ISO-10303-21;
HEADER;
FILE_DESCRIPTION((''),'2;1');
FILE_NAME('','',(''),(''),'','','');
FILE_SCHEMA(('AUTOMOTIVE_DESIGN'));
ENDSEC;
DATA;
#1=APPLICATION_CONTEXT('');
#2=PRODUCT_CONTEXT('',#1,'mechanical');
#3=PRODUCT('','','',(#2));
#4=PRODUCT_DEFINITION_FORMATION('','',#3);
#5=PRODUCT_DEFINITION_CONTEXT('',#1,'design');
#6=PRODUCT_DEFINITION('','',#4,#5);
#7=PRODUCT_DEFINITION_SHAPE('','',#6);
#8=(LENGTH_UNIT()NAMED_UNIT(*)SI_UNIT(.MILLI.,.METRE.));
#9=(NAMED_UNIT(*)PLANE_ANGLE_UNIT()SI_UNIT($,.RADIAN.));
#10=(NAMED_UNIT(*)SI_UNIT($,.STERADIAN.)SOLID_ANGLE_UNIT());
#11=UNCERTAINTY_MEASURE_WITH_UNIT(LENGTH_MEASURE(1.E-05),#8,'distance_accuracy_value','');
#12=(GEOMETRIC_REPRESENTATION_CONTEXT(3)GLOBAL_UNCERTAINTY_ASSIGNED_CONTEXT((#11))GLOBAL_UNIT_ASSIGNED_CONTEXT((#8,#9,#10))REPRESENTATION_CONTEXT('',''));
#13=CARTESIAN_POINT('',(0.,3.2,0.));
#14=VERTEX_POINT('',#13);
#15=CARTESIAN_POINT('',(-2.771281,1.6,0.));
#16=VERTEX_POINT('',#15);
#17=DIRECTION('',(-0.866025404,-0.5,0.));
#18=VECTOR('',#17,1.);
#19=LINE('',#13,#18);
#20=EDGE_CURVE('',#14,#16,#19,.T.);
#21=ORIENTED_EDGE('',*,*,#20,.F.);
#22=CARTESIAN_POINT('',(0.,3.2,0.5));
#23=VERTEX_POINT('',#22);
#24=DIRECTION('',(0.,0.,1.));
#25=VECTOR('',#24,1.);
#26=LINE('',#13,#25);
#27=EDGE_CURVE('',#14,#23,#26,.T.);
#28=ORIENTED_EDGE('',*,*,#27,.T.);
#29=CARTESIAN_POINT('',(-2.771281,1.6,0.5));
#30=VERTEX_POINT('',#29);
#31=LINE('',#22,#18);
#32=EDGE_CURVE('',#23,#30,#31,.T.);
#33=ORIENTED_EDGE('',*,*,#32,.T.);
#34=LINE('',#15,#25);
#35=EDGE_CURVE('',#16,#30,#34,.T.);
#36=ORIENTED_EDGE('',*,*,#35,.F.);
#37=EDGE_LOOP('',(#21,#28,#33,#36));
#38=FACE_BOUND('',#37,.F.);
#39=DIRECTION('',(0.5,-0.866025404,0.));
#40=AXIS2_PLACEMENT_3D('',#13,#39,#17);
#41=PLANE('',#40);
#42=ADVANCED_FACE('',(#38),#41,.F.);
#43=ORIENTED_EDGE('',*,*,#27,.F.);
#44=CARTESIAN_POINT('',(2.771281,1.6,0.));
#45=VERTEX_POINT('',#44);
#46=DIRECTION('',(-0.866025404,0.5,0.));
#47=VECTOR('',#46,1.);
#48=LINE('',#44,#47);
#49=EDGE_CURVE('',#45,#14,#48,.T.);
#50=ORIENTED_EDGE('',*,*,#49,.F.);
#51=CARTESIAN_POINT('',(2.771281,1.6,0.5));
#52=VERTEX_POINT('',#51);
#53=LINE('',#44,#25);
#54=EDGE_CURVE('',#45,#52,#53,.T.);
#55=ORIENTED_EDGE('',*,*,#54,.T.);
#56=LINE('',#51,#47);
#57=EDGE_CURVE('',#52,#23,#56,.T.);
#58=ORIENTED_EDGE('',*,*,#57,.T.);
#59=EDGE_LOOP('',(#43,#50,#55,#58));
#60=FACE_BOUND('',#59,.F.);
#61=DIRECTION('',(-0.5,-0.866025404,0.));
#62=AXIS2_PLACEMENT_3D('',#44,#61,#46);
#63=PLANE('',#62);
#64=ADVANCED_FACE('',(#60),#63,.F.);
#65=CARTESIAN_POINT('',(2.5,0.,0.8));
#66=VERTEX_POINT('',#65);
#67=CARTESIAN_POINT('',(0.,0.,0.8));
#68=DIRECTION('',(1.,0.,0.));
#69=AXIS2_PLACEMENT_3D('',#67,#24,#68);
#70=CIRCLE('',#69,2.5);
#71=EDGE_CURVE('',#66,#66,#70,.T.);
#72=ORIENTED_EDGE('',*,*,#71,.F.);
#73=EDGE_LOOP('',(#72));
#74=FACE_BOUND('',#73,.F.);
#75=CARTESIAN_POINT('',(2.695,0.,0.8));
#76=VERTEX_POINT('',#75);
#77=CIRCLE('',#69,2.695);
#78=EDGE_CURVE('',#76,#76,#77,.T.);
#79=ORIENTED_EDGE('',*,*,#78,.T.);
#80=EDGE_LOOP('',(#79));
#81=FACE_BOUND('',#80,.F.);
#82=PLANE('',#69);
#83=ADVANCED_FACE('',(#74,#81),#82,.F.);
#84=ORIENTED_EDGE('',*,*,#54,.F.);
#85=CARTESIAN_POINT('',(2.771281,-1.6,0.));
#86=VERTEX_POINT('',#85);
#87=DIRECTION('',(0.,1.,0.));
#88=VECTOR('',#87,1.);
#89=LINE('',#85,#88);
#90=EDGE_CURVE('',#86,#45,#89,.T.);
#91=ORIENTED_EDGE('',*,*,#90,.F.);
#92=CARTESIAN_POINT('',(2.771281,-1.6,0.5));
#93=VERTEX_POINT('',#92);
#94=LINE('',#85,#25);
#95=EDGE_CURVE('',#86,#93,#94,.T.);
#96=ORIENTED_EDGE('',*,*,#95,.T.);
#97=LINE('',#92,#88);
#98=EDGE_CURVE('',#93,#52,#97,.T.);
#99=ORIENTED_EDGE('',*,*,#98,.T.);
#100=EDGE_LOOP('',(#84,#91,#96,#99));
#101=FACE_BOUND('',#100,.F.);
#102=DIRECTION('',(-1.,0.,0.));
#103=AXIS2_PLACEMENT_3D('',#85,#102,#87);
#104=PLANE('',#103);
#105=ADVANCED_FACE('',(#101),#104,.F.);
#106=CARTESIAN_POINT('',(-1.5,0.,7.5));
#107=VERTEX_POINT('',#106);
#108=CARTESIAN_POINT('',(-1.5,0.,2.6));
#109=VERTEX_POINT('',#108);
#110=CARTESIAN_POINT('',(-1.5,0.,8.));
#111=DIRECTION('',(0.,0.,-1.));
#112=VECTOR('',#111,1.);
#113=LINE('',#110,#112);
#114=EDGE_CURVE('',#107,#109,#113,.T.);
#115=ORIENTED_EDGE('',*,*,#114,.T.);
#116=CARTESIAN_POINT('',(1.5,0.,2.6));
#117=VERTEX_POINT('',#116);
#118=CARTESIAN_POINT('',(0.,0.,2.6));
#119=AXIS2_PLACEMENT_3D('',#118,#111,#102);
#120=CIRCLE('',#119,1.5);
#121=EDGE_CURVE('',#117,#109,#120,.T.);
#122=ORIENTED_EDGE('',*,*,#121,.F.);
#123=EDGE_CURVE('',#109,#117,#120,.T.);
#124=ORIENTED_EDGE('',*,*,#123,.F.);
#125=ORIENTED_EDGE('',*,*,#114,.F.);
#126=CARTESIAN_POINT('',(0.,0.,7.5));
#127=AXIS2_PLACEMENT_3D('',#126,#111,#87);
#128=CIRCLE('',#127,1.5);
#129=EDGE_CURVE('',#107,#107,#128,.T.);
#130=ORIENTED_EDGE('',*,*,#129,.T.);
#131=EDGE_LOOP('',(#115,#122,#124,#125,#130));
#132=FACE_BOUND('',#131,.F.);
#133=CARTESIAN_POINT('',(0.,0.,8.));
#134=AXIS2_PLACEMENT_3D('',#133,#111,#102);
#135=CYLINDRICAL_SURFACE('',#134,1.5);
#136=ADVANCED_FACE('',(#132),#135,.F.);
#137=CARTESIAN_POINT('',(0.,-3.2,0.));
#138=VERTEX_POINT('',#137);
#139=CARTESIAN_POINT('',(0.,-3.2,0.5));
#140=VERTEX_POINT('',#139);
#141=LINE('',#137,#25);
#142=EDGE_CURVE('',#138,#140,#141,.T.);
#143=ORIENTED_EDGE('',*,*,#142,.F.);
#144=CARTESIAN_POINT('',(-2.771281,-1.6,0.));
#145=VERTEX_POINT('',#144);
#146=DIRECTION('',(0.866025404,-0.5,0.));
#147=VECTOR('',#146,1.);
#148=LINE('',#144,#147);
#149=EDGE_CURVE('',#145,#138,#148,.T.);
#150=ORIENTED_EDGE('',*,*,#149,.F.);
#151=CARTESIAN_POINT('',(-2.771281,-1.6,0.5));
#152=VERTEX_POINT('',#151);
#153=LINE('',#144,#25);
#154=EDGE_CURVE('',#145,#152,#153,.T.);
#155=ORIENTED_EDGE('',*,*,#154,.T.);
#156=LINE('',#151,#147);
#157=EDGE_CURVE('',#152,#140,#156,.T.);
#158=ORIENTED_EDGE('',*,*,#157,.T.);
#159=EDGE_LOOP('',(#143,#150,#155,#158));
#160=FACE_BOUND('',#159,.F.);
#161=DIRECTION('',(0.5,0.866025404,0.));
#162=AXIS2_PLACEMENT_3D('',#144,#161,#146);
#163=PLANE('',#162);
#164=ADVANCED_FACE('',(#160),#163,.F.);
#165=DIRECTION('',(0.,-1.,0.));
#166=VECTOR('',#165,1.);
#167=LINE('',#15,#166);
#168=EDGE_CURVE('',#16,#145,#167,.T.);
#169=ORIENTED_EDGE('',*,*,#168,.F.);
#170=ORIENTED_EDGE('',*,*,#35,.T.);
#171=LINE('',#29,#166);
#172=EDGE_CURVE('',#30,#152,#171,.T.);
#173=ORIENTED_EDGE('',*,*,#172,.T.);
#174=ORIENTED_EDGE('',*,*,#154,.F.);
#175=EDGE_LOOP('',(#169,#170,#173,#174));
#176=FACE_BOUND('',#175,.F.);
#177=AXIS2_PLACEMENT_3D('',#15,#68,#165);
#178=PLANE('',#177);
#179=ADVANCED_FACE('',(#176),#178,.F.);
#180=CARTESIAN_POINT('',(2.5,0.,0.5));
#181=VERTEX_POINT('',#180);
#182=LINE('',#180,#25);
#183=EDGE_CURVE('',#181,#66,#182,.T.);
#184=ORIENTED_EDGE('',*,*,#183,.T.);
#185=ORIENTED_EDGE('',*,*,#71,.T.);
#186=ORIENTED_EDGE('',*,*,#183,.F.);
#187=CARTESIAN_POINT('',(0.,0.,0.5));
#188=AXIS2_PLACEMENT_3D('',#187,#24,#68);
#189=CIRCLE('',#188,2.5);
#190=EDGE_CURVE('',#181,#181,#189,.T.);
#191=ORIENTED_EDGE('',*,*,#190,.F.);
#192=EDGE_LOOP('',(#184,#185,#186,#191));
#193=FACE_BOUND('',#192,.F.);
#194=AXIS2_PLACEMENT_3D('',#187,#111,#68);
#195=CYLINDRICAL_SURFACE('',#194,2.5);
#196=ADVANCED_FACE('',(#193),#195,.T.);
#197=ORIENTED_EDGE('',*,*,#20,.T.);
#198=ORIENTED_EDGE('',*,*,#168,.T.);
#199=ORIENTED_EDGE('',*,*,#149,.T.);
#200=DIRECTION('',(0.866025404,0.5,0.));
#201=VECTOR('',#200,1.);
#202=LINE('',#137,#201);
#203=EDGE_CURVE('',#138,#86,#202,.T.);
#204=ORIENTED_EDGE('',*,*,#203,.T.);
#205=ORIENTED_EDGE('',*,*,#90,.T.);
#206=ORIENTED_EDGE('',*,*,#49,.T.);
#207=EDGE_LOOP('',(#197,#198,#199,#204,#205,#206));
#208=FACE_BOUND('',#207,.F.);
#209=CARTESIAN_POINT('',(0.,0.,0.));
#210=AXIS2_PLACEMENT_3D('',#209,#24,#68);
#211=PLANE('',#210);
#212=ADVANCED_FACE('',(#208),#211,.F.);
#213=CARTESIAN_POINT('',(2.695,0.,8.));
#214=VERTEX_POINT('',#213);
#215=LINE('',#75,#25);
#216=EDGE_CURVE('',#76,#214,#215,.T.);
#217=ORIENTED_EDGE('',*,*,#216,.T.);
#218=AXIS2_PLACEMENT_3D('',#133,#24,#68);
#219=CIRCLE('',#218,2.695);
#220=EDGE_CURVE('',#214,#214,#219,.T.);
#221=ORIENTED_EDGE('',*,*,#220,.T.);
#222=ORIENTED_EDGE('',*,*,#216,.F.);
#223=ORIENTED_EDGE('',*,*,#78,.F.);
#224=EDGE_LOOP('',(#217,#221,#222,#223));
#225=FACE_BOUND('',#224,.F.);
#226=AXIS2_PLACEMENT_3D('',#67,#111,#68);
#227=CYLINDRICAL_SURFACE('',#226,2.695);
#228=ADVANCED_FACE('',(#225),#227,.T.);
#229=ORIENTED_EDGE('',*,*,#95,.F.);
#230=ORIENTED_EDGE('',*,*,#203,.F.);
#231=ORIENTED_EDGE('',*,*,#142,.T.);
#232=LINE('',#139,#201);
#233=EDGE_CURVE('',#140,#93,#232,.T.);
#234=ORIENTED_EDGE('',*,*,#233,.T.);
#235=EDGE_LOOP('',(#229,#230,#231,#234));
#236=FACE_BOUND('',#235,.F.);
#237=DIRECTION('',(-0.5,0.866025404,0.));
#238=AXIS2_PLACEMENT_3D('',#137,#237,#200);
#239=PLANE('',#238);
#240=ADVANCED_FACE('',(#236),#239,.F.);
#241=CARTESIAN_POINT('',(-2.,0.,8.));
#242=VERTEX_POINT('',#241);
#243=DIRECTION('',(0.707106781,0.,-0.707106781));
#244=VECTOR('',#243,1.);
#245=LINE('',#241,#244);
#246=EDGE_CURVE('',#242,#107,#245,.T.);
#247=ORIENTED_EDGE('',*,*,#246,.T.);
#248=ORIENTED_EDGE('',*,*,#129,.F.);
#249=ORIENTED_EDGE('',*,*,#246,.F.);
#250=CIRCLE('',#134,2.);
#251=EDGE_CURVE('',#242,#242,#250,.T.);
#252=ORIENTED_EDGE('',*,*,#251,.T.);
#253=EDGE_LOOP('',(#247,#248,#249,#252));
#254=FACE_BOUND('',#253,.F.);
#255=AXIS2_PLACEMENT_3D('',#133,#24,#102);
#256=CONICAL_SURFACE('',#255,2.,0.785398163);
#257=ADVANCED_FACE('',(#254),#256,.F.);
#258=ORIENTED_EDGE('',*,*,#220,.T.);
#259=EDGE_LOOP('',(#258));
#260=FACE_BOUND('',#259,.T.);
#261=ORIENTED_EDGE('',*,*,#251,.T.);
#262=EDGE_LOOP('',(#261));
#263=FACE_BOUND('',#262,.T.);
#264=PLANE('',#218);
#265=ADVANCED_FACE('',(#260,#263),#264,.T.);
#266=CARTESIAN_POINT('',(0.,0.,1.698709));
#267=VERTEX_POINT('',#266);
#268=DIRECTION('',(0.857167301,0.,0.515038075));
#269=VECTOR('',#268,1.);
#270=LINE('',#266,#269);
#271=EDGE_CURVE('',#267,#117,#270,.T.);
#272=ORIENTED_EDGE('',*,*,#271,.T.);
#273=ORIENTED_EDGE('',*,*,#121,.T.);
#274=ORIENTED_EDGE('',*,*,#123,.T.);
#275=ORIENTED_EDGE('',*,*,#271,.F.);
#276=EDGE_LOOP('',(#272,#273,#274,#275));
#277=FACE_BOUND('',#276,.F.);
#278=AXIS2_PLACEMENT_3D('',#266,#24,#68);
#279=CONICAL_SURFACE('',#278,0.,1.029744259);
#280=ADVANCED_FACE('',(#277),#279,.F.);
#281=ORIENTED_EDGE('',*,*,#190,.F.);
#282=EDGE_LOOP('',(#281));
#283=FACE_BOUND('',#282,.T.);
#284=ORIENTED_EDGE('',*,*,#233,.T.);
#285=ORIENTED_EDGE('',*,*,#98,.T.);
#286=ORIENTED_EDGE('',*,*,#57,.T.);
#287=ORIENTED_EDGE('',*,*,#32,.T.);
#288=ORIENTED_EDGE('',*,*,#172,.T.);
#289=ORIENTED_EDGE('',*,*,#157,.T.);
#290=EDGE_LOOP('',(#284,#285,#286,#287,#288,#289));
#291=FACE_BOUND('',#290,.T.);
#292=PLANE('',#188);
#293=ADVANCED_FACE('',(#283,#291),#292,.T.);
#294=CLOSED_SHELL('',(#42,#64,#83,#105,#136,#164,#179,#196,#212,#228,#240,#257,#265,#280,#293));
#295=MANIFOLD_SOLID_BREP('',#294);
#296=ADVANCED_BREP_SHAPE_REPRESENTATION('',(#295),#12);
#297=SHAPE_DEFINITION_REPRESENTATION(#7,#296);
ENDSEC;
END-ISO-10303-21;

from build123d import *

# Parameters (mm, degrees)
F1_DEPTH       = 0.5
F2_R           = 2.5
F3_DEPTH       = 0.3
F4_R           = 2.695
F5_DEPTH       = 7.2
F7_D           = 3
F7_DEPTH       = 5.4
F7_CSINK_D     = 4
F7_CSINK_ANGLE = 90
F7_TIP         = 0.9012909285


with BuildPart() as f1:
    # F0 (on Top) → F1 (new body)
    with BuildSketch(Plane.XY):
        Polygon((-2.7712812921, -1.6), (0, -3.2), (2.7712812921, -1.6), (2.7712812921, 1.6), (0, 3.2), (-2.7712812921, 1.6), align=None)
    extrude(amount=F1_DEPTH)

    # F2 (on face) → F3 (join)
    with BuildSketch(Plane.XY.offset(0.5)):
        Circle(F2_R)
    extrude(amount=F3_DEPTH)

    # F4 (on face) → F5 (join)
    with BuildSketch(Plane.XY.offset(0.8)):
        Circle(F4_R)
    extrude(amount=F5_DEPTH)

    # F7
    with Locations(Plane.XY.offset(8)):
        with Locations((0, 0)):
            CounterSinkHole(F7_D / 2, F7_CSINK_D / 2, depth=F7_DEPTH, counter_sink_angle=F7_CSINK_ANGLE)
            with Locations((0, 0, -(F7_DEPTH + F7_TIP / 2))):  # 118° drill point
                Cone(0, F7_D / 2, F7_TIP, mode=Mode.SUBTRACT)


solid = f1.part
